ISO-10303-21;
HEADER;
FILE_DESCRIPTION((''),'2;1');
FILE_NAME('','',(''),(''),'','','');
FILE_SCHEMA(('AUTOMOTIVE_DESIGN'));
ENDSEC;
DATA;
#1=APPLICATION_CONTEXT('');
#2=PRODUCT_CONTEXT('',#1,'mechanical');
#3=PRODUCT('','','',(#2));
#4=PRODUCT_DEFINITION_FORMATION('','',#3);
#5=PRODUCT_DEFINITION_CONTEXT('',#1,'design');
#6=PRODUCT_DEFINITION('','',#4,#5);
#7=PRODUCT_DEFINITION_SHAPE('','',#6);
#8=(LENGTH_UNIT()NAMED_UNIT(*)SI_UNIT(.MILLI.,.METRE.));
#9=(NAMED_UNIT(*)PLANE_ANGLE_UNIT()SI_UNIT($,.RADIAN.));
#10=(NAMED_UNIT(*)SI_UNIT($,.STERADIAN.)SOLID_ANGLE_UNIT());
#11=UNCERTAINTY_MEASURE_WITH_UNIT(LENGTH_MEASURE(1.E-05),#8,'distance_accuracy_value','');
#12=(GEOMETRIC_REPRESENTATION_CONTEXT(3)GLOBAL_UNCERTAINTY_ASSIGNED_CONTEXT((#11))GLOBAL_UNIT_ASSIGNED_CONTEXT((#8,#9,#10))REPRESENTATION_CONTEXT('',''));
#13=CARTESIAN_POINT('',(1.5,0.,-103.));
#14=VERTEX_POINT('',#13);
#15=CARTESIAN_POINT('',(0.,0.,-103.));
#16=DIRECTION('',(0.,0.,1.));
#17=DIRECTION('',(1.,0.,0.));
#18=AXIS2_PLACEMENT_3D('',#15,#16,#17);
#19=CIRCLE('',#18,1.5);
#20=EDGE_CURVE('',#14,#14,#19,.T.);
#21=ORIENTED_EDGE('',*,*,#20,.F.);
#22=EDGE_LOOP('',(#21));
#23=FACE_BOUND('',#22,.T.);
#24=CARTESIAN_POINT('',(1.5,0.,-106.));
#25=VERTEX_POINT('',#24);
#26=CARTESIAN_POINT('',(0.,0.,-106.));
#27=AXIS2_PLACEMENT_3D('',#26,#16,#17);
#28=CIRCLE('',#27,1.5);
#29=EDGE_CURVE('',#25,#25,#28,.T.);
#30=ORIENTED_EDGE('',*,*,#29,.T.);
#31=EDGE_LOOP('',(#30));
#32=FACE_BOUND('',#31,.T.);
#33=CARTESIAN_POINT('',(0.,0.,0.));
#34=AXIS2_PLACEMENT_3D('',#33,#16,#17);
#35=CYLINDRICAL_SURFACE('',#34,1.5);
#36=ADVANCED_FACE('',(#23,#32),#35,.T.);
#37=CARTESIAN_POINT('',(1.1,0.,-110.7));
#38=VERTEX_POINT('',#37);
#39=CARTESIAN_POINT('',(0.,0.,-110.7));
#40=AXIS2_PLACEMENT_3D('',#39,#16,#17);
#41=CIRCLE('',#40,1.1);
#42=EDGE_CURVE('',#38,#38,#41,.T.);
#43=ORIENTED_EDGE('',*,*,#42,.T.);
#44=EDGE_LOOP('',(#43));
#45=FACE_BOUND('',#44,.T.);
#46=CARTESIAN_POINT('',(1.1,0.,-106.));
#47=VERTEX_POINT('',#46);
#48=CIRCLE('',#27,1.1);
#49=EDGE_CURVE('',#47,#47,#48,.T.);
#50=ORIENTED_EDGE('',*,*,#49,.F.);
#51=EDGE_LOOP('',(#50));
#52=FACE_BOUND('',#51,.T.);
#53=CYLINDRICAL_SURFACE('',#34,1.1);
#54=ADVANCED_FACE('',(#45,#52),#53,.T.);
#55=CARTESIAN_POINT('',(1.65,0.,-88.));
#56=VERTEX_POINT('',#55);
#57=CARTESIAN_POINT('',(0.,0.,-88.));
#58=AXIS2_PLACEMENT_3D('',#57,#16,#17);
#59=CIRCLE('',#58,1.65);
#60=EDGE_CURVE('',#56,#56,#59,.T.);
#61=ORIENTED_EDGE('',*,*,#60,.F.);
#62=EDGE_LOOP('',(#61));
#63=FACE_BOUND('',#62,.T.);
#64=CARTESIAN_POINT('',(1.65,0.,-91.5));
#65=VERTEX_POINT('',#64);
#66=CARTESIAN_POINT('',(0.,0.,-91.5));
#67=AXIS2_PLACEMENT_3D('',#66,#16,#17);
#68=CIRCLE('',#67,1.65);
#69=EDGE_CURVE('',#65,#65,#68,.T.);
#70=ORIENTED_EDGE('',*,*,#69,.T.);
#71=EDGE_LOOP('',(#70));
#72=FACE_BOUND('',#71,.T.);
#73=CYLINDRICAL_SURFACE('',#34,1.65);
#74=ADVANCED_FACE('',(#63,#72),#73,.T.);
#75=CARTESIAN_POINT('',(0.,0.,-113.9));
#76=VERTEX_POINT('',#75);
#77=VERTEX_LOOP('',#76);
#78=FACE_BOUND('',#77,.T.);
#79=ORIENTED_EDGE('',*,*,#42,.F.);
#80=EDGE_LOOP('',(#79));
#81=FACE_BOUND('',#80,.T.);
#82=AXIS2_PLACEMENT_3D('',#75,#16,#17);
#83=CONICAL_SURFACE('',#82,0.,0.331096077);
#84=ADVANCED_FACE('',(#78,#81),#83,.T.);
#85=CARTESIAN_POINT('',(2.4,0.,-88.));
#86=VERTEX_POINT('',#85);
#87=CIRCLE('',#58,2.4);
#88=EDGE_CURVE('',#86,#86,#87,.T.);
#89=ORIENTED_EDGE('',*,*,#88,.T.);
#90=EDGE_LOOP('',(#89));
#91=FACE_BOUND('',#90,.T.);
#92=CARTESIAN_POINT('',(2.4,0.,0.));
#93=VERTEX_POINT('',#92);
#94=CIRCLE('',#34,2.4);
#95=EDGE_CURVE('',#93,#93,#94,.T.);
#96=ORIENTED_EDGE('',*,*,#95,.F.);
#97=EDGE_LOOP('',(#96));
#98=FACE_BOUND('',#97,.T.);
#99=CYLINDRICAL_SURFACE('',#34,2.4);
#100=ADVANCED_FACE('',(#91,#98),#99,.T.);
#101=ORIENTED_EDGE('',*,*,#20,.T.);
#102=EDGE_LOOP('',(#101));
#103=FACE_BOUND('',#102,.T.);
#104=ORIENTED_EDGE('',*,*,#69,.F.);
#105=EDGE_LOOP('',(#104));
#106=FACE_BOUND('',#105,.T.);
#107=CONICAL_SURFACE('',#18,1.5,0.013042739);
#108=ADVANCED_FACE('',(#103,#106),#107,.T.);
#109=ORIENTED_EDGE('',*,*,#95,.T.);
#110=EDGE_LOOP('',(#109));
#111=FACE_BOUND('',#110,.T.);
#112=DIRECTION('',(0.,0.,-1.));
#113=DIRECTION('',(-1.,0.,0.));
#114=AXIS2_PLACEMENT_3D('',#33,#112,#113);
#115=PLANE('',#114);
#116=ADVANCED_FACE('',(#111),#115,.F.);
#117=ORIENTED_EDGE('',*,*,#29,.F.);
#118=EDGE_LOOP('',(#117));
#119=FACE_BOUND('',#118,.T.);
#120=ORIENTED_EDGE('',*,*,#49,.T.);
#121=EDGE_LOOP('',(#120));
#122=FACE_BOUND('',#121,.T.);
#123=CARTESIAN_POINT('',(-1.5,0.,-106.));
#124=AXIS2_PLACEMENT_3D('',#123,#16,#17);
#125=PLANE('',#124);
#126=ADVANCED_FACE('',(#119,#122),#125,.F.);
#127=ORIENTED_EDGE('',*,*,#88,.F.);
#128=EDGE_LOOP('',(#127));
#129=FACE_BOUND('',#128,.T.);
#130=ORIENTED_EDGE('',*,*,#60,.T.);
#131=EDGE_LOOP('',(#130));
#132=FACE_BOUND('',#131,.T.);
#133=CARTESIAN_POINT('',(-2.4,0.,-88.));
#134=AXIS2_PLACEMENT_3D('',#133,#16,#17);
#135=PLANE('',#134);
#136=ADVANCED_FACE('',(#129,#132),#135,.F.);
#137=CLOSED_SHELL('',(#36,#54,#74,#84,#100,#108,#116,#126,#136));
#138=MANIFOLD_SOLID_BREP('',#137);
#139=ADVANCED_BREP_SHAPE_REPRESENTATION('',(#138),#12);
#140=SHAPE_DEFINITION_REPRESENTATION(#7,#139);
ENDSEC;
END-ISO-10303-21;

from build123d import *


with BuildPart() as part:
    # 草图1 → 旋转1 (revolve)
    with BuildSketch(Plane(origin=(0, 0, 0), x_dir=(1, 0, 0), z_dir=(0, 1, 0))):
        Polygon((0, 0), (-2.4, 0), (-2.4, 88), (-1.65, 88), (-1.65, 91.5), (-1.5, 103), (-1.5, 106), (-1.1, 106), (-1.1, 110.7), (0, 113.9), align=None)
    revolve(axis=Axis((0, 0, 0), (0, 0, -1)))


solid = part.part
